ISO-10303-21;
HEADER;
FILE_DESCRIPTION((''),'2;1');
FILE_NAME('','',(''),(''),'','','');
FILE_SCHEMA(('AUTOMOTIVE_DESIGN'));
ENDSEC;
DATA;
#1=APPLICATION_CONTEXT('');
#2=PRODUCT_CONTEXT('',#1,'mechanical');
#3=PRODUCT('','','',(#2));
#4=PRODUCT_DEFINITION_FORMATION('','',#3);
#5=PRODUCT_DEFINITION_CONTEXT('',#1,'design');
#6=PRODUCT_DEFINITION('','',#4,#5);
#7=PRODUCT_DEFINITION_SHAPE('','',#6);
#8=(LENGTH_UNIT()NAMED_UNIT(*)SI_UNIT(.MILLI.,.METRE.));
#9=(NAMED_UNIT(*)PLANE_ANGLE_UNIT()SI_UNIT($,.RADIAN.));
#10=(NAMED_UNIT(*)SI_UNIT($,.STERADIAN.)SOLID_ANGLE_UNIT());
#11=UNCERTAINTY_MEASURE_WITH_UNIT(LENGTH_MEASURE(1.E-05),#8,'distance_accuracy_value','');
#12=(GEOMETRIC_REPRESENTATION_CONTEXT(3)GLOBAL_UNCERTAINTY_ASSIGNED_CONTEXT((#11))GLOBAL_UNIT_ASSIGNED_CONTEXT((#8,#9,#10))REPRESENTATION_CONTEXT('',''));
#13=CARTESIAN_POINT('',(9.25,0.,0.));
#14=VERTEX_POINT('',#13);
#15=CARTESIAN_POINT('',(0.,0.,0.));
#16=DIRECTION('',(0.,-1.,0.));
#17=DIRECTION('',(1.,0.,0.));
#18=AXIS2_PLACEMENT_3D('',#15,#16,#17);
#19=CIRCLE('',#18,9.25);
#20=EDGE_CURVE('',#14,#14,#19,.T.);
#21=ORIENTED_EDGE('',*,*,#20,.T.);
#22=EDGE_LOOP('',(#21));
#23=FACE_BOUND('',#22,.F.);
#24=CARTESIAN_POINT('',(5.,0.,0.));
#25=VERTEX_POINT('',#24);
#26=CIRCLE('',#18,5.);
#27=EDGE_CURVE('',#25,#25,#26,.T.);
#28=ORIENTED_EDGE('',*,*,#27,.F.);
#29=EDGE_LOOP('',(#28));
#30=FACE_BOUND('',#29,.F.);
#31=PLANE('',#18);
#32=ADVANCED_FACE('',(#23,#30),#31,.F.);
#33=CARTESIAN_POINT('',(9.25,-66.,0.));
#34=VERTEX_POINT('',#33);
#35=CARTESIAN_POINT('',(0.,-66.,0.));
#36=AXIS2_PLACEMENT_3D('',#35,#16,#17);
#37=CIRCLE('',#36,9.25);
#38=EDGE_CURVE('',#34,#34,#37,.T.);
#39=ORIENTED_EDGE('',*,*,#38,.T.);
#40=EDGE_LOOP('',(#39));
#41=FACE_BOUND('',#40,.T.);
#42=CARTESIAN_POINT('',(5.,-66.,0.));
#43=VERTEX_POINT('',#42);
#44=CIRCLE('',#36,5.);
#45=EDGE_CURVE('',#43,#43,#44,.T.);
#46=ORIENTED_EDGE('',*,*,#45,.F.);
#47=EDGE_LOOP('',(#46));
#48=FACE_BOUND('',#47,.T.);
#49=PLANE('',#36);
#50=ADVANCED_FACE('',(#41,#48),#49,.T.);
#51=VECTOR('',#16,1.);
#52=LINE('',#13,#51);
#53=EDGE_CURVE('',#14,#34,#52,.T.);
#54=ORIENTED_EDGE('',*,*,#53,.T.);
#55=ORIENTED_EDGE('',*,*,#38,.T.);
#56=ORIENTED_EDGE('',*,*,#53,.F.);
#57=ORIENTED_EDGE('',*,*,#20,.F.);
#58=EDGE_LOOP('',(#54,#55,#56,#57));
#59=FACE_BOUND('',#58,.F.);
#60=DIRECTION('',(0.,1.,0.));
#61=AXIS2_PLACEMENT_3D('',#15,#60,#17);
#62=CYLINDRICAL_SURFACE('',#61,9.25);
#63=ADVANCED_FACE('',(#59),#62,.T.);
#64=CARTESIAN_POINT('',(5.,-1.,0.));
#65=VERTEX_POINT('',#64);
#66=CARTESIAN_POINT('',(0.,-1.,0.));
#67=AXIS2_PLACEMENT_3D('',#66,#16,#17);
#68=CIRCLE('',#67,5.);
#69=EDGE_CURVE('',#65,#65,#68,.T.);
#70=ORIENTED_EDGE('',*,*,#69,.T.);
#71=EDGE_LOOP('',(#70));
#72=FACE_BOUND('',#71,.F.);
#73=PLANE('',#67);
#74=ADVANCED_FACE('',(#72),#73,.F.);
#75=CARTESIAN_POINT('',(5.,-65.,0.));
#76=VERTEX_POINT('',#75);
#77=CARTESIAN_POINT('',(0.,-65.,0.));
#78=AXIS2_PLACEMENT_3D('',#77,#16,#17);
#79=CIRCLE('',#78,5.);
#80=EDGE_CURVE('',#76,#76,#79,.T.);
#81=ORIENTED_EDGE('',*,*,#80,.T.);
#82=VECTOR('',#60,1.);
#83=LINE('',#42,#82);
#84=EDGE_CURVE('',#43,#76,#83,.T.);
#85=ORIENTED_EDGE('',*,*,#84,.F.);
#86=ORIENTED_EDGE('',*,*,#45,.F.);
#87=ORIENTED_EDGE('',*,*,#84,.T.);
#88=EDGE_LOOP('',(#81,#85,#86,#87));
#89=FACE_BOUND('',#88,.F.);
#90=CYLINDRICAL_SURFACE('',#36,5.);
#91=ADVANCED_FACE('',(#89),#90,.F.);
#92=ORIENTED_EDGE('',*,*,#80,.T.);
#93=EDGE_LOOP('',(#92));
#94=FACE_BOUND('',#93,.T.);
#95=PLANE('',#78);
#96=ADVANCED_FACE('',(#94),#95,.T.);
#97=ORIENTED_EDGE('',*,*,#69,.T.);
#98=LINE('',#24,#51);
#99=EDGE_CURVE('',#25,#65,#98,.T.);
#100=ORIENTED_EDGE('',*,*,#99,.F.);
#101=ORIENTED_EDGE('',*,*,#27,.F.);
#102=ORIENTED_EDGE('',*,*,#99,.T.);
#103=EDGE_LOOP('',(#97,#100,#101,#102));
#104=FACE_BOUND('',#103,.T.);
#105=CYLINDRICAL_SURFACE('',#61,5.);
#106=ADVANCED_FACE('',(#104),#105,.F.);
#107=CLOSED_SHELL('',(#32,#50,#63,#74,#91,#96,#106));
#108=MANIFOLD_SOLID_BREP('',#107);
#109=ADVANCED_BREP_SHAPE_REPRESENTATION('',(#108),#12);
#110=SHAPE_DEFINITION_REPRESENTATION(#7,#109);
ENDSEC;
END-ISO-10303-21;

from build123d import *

# Parameters (mm, degrees)
F0_R     = 9.25
F1_DEPTH = 66
F2_R     = 5
F3_DEPTH = 1
F4_R     = 5
F5_DEPTH = 1


with BuildPart() as f1:
    # F0 (on Front) → F1 (new body)
    with BuildSketch(Plane.XZ):
        Circle(F0_R)
    extrude(amount=F1_DEPTH)

    # F2 (on Front) → F3 (cut)
    with BuildSketch(Plane.XZ):
        Circle(F2_R)
    extrude(amount=F3_DEPTH, mode=Mode.SUBTRACT)

    # F4 (on face) → F5 (cut)
    with BuildSketch(Plane.XZ.offset(66)):
        Circle(F4_R)
    extrude(amount=-F5_DEPTH, mode=Mode.SUBTRACT)


solid = f1.part
